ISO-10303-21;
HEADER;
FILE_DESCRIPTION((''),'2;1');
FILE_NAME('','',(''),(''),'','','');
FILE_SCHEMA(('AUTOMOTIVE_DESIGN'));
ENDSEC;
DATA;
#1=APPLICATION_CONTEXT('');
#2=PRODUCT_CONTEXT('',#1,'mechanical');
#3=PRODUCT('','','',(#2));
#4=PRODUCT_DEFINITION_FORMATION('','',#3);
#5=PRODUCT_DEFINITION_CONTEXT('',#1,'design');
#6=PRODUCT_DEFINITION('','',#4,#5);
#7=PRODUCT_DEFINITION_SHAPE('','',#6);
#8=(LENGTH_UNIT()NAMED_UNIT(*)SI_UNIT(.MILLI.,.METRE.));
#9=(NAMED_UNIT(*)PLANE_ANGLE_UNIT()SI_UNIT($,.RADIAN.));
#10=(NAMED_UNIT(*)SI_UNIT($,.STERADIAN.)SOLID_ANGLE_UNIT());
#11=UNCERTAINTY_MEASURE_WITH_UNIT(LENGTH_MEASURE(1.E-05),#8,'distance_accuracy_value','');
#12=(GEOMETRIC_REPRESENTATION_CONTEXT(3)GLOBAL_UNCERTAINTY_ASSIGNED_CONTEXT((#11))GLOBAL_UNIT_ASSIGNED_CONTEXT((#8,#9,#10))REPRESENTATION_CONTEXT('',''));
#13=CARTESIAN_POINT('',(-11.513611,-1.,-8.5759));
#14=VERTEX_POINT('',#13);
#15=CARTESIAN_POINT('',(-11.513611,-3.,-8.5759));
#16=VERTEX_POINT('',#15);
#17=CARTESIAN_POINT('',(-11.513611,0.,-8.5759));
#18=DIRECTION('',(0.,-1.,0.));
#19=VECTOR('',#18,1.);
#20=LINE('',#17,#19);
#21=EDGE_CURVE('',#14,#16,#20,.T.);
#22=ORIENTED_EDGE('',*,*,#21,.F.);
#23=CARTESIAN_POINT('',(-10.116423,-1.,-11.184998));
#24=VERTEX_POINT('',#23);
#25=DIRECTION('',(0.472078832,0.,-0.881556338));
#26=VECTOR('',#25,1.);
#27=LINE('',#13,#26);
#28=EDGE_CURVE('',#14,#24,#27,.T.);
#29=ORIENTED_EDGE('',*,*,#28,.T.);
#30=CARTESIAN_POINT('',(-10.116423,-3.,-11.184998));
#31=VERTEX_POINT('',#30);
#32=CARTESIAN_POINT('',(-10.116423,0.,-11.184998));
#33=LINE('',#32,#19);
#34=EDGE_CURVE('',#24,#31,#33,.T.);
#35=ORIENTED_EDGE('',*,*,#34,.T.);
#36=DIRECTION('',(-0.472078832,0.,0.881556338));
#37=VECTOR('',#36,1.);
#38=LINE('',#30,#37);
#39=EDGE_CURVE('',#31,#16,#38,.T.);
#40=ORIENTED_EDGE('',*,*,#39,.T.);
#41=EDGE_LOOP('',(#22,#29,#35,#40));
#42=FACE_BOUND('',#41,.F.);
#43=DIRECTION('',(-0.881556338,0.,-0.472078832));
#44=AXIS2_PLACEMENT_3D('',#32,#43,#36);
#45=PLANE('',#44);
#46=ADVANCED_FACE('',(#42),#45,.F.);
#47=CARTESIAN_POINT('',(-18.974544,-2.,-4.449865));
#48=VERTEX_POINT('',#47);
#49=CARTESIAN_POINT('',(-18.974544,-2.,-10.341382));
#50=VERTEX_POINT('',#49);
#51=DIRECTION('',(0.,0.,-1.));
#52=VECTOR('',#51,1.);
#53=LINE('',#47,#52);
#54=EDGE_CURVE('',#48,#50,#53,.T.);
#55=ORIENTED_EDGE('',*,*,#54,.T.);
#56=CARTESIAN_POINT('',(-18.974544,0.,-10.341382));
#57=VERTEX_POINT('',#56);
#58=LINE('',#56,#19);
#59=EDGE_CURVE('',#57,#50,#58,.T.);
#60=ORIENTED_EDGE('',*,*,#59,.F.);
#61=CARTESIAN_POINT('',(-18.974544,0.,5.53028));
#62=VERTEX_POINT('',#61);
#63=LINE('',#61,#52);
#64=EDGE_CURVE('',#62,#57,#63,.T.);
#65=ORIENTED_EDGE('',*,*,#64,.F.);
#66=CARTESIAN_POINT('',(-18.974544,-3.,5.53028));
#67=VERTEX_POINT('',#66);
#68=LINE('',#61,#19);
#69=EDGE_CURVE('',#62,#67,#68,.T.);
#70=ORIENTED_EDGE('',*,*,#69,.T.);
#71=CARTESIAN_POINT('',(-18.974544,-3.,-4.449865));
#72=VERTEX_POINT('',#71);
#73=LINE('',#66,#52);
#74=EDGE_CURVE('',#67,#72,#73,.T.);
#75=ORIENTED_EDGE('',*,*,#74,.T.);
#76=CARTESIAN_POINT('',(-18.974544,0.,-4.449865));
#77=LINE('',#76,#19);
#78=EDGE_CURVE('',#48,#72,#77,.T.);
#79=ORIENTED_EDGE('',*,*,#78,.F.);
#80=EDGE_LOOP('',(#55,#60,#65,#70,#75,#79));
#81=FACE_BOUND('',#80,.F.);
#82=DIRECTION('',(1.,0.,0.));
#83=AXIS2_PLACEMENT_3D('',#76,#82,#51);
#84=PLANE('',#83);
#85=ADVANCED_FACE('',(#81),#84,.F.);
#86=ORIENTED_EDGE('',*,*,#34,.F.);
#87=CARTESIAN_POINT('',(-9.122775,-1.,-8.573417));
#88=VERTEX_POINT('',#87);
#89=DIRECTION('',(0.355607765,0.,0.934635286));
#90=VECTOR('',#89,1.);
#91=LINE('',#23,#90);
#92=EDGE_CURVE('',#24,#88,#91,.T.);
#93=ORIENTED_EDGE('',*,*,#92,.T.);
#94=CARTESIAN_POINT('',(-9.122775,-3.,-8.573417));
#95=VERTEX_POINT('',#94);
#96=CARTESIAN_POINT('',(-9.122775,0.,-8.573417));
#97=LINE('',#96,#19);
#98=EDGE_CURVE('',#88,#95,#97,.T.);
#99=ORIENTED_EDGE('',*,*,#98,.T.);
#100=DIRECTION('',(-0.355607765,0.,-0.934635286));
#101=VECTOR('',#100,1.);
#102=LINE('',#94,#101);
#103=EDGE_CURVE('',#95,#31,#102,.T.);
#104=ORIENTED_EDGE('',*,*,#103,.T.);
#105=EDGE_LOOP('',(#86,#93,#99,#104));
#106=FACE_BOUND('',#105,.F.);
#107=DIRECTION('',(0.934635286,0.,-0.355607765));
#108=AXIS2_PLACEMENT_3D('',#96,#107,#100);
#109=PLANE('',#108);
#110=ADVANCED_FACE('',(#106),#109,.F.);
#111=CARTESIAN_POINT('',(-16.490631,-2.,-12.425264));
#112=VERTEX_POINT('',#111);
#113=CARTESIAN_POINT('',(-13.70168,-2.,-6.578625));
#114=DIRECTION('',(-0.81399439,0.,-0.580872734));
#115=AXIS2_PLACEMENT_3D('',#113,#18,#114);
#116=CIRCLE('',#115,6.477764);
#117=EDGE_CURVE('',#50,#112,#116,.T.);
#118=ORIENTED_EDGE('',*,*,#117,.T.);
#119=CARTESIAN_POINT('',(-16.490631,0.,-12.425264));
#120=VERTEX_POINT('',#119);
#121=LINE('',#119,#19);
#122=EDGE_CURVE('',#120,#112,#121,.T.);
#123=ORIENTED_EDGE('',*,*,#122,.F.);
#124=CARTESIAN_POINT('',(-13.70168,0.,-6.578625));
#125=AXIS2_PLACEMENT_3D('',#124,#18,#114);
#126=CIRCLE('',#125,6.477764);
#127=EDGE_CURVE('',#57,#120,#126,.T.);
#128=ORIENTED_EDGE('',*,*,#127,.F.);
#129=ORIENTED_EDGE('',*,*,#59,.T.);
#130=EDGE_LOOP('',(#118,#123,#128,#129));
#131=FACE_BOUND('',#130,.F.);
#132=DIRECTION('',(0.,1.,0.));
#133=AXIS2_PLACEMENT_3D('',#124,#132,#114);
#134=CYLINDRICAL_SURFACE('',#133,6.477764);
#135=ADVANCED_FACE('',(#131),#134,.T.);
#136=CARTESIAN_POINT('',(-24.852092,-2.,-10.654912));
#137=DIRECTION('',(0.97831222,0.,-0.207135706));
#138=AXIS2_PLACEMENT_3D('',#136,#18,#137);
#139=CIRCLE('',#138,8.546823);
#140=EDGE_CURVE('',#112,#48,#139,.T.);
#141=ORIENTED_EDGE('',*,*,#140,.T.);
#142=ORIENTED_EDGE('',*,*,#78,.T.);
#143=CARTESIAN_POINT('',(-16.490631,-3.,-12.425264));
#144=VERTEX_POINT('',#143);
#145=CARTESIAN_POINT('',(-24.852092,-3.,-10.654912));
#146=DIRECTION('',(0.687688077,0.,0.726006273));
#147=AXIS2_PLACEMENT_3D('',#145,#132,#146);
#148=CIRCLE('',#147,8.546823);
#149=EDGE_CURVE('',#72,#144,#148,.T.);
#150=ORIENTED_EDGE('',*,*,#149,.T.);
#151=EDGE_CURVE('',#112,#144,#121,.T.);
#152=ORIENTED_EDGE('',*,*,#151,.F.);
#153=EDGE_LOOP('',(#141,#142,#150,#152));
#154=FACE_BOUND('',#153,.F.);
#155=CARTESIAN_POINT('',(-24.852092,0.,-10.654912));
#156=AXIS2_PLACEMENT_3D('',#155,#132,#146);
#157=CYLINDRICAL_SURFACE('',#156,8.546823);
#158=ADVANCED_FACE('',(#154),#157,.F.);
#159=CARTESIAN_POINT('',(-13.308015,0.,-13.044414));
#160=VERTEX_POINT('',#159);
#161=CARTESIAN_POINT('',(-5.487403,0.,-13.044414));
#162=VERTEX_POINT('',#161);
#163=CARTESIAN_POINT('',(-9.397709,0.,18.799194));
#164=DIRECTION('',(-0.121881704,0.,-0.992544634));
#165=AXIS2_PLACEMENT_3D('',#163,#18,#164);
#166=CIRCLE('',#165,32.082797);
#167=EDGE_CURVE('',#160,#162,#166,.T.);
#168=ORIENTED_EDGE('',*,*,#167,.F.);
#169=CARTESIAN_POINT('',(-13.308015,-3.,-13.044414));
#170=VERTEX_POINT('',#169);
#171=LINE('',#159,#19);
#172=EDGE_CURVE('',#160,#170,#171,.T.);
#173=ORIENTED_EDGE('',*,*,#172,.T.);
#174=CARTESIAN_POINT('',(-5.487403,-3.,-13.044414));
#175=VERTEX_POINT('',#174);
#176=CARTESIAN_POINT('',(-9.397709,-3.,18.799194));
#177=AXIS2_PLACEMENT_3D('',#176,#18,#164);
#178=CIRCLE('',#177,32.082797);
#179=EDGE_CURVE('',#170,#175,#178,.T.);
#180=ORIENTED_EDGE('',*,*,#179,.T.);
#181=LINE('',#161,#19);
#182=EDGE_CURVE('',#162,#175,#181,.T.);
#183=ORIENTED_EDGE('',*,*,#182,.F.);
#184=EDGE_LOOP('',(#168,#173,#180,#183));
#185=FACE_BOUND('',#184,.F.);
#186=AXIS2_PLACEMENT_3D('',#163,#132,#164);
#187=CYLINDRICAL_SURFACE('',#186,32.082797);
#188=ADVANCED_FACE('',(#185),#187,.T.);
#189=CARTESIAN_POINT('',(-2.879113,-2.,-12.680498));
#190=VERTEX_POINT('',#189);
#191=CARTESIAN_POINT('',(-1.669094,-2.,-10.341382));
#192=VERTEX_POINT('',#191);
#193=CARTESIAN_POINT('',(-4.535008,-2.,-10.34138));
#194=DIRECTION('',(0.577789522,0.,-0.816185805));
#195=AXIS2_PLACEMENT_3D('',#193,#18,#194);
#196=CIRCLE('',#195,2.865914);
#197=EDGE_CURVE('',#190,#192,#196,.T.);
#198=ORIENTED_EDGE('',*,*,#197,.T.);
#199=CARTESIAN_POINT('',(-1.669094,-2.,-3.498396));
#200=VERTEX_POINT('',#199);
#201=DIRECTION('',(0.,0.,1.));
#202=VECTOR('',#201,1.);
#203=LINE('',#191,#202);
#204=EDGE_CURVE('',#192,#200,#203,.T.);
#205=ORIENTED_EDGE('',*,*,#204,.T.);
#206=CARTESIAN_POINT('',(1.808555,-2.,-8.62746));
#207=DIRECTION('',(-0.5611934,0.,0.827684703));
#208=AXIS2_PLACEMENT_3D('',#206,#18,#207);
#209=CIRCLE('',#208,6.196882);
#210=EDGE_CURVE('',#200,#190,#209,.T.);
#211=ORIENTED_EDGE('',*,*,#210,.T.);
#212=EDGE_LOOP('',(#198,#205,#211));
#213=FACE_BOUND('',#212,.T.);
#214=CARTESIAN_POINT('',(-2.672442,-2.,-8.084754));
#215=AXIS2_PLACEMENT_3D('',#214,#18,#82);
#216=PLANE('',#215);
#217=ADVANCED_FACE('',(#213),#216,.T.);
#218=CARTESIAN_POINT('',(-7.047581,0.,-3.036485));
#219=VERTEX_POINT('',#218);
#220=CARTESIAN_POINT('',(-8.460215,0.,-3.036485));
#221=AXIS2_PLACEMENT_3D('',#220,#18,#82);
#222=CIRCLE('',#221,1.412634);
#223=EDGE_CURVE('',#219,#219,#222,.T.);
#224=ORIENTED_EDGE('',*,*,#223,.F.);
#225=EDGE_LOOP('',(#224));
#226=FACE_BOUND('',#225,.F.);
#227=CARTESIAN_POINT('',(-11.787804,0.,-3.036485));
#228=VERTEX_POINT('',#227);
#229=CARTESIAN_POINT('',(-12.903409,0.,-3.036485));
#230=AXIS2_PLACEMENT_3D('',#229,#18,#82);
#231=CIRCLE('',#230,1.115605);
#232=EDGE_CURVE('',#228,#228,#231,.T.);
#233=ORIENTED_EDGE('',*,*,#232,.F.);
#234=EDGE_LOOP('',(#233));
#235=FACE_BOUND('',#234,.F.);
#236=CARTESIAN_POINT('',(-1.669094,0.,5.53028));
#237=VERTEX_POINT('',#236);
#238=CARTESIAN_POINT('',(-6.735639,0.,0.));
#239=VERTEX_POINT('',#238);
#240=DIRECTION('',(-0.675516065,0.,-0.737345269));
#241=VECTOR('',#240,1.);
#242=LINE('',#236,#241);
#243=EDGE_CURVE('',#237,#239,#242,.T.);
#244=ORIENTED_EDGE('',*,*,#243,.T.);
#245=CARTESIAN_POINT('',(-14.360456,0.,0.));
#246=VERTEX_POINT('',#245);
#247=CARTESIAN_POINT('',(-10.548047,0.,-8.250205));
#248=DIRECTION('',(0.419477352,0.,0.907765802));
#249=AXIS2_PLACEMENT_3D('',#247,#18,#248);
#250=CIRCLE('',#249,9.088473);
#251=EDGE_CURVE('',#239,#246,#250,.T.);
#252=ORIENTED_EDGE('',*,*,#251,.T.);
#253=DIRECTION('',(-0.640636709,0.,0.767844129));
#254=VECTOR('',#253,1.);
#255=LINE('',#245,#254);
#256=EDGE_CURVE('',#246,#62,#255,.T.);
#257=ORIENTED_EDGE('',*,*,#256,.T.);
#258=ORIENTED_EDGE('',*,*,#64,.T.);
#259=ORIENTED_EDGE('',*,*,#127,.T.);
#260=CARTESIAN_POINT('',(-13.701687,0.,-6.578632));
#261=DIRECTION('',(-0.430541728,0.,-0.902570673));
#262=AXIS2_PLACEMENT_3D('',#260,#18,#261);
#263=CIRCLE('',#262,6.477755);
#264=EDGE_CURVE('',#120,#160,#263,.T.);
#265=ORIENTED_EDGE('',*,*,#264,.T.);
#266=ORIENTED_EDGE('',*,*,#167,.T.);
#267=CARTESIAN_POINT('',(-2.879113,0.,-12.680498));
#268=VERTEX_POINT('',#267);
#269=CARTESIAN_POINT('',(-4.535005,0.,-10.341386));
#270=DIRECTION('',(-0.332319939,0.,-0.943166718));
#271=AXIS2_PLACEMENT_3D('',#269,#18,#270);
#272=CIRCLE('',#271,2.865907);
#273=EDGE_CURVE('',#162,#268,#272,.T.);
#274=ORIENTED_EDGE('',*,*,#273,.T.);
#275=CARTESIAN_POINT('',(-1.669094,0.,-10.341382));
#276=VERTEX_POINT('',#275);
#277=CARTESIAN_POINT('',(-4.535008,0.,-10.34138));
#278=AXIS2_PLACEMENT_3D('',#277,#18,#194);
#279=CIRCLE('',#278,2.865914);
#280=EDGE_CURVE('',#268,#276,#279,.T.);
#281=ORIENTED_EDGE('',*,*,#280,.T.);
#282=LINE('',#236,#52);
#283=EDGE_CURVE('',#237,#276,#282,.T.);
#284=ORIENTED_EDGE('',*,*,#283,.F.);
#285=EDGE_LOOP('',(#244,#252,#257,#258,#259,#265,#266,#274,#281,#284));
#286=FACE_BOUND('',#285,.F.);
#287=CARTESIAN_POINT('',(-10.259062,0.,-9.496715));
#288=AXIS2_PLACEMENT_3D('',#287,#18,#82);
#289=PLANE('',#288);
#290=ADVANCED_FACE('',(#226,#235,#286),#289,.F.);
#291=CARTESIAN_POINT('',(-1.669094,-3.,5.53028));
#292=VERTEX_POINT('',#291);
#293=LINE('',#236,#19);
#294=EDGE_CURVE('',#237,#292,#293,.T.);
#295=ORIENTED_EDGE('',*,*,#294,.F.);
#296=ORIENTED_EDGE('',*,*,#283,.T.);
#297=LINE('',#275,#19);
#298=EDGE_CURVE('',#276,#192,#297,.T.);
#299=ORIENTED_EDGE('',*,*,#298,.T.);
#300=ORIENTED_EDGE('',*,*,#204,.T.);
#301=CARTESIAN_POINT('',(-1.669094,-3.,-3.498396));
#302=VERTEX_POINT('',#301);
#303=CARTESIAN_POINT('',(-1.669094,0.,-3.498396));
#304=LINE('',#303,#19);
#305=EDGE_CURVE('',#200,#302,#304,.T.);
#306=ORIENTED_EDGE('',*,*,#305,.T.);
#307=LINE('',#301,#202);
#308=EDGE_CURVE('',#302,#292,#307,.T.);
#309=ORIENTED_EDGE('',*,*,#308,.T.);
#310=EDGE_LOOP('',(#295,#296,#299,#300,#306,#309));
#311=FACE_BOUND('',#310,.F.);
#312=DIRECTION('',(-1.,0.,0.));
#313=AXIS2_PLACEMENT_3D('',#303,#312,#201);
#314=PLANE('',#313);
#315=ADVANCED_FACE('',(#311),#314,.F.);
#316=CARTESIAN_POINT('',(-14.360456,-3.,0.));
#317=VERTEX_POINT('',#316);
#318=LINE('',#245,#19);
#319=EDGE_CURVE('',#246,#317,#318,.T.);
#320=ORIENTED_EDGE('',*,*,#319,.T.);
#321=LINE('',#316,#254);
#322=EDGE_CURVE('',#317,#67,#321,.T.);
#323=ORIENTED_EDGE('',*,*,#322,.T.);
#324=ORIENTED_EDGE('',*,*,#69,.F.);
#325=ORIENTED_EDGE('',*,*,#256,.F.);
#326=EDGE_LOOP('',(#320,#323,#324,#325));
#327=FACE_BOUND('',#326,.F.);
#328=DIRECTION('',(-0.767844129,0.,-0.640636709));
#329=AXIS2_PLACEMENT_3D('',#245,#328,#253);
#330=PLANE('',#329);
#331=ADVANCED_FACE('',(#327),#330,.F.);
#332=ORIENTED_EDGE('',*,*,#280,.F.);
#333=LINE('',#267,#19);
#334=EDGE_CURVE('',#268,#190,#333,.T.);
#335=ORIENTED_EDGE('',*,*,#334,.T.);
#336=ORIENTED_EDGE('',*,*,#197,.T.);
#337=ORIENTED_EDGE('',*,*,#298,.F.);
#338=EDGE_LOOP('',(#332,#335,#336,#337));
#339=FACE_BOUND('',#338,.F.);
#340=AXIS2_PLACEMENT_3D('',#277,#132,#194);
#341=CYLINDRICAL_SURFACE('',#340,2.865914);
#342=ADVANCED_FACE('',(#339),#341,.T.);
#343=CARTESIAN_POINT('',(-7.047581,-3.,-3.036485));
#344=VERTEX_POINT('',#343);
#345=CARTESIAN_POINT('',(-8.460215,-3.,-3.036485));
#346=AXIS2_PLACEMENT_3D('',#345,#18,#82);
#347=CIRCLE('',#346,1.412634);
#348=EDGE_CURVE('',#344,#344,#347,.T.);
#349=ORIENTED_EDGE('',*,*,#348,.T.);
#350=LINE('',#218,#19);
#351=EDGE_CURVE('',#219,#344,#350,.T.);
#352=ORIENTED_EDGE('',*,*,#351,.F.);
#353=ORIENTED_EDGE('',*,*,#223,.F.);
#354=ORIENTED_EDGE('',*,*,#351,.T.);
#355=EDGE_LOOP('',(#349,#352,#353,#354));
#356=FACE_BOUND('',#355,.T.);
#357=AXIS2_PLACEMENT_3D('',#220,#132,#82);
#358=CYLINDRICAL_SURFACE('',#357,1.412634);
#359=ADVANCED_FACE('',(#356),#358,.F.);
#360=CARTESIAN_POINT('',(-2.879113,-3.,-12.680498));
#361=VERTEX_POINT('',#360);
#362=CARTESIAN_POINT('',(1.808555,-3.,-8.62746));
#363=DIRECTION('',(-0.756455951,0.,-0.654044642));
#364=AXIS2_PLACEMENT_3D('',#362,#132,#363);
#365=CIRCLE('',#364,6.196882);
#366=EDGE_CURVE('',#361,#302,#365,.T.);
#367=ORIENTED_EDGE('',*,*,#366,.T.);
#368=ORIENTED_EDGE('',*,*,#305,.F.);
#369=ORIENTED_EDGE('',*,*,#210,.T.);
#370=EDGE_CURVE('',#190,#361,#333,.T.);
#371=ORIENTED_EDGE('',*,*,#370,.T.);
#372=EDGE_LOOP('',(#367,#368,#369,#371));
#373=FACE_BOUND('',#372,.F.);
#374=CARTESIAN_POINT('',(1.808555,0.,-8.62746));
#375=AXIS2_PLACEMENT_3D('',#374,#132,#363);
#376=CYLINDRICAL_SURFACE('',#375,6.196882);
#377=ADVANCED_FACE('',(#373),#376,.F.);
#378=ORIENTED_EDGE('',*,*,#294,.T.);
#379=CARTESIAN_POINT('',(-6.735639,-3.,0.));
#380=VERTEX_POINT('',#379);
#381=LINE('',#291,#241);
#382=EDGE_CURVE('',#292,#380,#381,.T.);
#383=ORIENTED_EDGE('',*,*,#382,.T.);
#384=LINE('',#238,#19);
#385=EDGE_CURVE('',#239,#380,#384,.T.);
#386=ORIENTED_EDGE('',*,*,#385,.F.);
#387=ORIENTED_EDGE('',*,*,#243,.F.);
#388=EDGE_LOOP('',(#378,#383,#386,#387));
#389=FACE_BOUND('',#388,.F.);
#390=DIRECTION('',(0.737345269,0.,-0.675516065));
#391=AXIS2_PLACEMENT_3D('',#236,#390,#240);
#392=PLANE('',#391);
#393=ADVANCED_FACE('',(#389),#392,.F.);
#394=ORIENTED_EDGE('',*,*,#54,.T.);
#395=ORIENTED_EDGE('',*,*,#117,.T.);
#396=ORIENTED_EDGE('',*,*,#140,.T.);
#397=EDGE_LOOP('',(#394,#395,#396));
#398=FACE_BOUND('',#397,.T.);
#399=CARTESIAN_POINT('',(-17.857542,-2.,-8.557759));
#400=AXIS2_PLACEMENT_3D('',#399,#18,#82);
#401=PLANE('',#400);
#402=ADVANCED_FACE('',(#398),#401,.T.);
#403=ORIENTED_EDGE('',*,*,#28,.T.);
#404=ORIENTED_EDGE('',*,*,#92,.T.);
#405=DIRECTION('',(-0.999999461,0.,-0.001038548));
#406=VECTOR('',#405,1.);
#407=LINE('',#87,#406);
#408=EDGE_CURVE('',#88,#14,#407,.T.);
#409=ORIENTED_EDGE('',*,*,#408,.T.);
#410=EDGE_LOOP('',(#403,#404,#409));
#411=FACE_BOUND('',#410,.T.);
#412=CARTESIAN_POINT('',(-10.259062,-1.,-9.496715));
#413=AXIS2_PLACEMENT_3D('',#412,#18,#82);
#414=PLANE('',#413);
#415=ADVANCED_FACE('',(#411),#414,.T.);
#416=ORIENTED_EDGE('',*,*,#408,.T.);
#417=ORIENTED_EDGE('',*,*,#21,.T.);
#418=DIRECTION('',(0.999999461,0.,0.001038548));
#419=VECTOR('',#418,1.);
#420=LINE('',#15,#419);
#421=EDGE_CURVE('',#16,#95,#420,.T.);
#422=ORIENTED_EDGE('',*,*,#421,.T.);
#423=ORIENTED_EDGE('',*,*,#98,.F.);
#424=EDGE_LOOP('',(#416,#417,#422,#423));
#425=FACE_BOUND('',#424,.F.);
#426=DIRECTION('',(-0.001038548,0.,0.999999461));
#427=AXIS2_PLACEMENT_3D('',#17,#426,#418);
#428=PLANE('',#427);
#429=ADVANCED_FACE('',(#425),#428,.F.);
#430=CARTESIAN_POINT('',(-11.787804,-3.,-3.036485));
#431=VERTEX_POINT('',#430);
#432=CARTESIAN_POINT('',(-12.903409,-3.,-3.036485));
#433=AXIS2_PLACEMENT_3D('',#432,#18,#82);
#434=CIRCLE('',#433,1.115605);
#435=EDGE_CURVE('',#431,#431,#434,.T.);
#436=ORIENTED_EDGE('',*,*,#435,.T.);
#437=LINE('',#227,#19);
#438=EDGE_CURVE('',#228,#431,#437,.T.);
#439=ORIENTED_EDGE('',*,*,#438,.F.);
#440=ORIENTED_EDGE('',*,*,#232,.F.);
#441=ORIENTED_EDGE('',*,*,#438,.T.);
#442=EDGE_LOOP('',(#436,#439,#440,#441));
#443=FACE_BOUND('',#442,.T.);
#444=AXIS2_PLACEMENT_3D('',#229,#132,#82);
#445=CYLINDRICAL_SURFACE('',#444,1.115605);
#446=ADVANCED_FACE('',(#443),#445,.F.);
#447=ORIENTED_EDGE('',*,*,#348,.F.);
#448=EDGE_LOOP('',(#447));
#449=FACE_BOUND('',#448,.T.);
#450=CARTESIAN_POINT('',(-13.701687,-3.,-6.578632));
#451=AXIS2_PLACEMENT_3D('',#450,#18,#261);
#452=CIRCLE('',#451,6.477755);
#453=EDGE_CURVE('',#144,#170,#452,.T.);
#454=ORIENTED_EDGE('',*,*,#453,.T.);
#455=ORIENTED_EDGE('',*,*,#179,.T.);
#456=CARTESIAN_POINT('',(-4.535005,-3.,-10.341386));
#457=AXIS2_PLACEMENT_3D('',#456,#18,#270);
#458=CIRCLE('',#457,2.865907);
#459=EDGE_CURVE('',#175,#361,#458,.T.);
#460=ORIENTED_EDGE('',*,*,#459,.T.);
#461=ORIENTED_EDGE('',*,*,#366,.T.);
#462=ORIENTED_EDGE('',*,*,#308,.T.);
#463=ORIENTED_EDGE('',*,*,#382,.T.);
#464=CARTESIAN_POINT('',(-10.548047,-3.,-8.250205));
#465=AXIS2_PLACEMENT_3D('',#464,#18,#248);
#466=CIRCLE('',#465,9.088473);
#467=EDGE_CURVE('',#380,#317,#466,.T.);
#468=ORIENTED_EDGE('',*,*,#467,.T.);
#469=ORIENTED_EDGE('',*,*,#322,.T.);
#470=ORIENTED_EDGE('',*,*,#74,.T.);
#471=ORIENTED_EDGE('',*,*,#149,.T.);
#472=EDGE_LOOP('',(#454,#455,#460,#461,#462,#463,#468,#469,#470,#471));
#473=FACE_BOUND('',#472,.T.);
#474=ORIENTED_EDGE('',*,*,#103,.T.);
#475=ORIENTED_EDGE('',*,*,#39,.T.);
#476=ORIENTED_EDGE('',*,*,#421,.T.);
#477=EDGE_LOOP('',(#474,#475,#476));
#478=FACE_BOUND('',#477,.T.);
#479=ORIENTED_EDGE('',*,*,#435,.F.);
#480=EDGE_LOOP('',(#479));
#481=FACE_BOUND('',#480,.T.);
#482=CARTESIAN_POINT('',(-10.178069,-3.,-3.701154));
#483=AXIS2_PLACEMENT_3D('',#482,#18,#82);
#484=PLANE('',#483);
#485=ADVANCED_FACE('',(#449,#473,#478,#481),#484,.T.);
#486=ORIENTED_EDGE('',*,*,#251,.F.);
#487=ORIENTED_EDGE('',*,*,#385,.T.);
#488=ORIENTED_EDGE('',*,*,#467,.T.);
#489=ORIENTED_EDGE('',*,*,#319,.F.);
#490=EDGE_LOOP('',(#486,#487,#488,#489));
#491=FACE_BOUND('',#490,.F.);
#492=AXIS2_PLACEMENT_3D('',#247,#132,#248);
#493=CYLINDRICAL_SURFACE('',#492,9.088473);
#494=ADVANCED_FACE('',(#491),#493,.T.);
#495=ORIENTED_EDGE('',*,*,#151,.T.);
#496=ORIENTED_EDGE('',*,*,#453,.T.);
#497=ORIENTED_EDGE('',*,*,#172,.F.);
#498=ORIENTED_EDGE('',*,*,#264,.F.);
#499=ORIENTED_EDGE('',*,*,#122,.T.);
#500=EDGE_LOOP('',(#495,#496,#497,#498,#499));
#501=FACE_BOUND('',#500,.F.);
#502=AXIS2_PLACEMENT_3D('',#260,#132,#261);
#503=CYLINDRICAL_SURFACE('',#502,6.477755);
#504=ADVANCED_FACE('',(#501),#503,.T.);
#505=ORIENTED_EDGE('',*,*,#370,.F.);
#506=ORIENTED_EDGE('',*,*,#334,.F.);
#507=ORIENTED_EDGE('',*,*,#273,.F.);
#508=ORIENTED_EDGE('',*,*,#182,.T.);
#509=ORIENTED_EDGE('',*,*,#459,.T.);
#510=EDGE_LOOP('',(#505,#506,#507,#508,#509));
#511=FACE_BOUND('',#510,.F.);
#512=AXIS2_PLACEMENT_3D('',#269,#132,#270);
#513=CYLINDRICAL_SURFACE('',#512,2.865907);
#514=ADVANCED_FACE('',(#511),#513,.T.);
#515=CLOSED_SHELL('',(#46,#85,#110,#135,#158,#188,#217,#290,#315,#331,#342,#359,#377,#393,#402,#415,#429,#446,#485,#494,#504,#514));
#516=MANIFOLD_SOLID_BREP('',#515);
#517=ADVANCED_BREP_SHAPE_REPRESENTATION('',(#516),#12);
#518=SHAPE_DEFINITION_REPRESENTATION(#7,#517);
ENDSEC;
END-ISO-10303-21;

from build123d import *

# Parameters (mm, degrees)
F0_R     = 1.115605
F0_R_2   = 1.412634
F1_DEPTH = 3
F2_DEPTH = 2
F3_DEPTH = 1


with BuildPart() as f1:
    # F0 (on Front) → F1 (new body)
    with BuildSketch(Plane.XZ):
        with BuildLine():
            Line((-18.974544, 5.53028), (-18.974544, 3.961724))
            Line((-18.974544, 3.961724), (-18.974544, -4.449865))
            ThreePointArc((-18.974544, -4.449865), (-16.691878, -8.113439), (-16.490631, -12.425264))
            ThreePointArc((-16.490631, -12.425264), (-14.938687, -12.937181), (-13.308015, -13.044414))
            ThreePointArc((-13.308015, -13.044414), (-9.397709, -13.283603), (-5.487403, -13.044414))
            ThreePointArc((-5.487403, -13.044414), (-4.138982, -13.179799), (-2.879113, -12.680498))
            ThreePointArc((-2.879113, -12.680498), (-4.33521, -7.817834), (-1.669094, -3.498396))
            Line((-1.669094, -3.498396), (-1.669094, 5.53028))
            Line((-1.669094, 5.53028), (-6.735639, 0))
            ThreePointArc((-6.735639, 0), (-10.548048, 0.838268), (-14.360456, 0))
            Line((-14.360456, 0), (-18.974544, 5.53028))
        make_face()
        Polygon((-10.116423, -11.184998), (-11.513611, -8.5759), (-9.122775, -8.573417), align=None, mode=Mode.SUBTRACT)
        with Locations((-12.903409, -3.036485)):
            Circle(F0_R, mode=Mode.SUBTRACT)
        with Locations((-8.460215, -3.036485)):
            Circle(F0_R_2, mode=Mode.SUBTRACT)
    extrude(amount=F1_DEPTH)

    # F0 (on Front) → F2 (join)
    with BuildSketch(Plane.XZ):
        with BuildLine():
            ThreePointArc((-16.490631, -12.425264), (-16.691878, -8.113439), (-18.974544, -4.449865))
            Line((-18.974544, -4.449865), (-18.974544, -10.341382))
            ThreePointArc((-18.974544, -10.341382), (-17.865075, -11.541243), (-16.490631, -12.425264))
        make_face()
        with BuildLine():
            ThreePointArc((-1.669094, -3.498396), (-4.33521, -7.817834), (-2.879113, -12.680498))
            ThreePointArc((-2.879113, -12.680498), (-1.989511, -11.658159), (-1.669094, -10.341382))
            Line((-1.669094, -10.341382), (-1.669094, -3.498396))
        make_face()
    extrude(amount=F2_DEPTH)

    # F0 (on Front) → F3 (join)
    with BuildSketch(Plane.XZ):
        Polygon((-9.122775, -8.573417), (-11.513611, -8.5759), (-10.116423, -11.184998), align=None)
    extrude(amount=F3_DEPTH)


solid = f1.part
